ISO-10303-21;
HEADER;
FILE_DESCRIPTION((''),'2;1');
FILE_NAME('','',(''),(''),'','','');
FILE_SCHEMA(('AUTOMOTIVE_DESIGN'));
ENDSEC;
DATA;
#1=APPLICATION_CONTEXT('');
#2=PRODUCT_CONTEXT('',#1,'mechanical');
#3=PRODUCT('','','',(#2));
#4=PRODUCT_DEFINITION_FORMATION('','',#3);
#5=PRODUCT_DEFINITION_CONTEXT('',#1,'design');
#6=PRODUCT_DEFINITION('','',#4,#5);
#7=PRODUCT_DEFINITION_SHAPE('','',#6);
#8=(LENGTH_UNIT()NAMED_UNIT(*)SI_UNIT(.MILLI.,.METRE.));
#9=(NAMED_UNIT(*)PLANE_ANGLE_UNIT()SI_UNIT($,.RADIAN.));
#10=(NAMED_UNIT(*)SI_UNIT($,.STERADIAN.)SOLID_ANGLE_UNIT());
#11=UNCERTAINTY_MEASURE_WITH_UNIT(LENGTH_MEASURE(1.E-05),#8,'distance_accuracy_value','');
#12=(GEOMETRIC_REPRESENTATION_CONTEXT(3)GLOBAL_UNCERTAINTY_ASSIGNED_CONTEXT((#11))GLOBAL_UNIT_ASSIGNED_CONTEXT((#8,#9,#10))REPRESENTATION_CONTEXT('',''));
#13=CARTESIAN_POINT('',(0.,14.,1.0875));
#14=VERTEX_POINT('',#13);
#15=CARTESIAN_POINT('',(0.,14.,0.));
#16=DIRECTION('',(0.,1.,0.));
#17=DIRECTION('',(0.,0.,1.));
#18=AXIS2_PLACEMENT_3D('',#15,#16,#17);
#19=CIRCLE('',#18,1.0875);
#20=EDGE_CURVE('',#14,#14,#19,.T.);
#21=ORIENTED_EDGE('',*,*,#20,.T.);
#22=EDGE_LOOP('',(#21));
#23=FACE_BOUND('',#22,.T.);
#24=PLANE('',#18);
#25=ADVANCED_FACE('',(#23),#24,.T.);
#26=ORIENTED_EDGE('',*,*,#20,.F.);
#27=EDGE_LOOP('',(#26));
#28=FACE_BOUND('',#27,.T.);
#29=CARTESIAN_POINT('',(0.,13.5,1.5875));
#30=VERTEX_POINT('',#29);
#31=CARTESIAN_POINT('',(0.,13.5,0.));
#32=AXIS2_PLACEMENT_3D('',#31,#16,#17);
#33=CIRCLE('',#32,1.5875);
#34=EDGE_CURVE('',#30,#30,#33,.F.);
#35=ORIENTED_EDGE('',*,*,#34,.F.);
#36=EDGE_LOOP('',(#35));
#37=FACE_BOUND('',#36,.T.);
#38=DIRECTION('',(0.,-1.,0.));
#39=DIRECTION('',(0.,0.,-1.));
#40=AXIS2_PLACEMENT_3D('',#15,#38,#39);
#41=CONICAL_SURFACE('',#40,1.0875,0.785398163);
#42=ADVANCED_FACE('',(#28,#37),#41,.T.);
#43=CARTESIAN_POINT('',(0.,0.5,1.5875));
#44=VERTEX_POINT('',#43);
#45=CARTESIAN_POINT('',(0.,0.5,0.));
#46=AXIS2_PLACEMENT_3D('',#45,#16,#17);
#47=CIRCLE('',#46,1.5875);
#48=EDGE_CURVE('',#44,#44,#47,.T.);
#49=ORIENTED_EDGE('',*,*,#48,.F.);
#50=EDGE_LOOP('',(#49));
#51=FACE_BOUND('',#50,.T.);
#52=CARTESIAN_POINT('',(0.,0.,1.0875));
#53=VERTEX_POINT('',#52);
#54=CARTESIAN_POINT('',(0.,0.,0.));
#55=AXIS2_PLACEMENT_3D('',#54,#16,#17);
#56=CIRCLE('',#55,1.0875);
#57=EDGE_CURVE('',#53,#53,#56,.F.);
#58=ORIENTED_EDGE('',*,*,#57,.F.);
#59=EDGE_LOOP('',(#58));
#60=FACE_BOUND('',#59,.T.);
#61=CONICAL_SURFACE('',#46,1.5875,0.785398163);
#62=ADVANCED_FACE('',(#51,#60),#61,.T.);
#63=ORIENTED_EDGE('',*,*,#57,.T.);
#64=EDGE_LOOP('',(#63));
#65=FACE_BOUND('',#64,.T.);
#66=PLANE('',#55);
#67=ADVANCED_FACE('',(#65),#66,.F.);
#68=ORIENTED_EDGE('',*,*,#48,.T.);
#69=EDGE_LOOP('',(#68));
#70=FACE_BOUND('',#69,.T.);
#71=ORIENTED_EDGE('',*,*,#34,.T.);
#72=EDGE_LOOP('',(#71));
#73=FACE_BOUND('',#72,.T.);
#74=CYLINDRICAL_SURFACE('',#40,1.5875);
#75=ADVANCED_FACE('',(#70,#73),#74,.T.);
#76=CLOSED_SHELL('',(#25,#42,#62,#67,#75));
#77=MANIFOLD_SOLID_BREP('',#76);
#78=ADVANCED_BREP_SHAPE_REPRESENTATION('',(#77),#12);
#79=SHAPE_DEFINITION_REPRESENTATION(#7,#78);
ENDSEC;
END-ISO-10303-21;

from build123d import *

# Parameters (mm, degrees)
SKETCH_1_R      = 1.5875
EXTRUDE_1_DEPTH = 14
CHAMFER_1_SIZE  = 0.5


with BuildPart() as part:
    # Эскиз1 → Бобышка-Вытянуть1 (new body)
    with BuildSketch(Plane(origin=(0, 0, 0), x_dir=(1, 0, 0), z_dir=(0, 1, 0))):
        with Locations(Location((0, 0, 0), (0, 0, 270))):
            Circle(SKETCH_1_R)
    extrude(amount=EXTRUDE_1_DEPTH)

    # Фаска1
    chamfer_1_edges = [part.edges().sort_by_distance(p)[0] for p in [
        (0, 0, -1.5875),
        (0, 14, -1.5875),
    ]]
    chamfer(chamfer_1_edges, length=CHAMFER_1_SIZE)


solid = part.part
